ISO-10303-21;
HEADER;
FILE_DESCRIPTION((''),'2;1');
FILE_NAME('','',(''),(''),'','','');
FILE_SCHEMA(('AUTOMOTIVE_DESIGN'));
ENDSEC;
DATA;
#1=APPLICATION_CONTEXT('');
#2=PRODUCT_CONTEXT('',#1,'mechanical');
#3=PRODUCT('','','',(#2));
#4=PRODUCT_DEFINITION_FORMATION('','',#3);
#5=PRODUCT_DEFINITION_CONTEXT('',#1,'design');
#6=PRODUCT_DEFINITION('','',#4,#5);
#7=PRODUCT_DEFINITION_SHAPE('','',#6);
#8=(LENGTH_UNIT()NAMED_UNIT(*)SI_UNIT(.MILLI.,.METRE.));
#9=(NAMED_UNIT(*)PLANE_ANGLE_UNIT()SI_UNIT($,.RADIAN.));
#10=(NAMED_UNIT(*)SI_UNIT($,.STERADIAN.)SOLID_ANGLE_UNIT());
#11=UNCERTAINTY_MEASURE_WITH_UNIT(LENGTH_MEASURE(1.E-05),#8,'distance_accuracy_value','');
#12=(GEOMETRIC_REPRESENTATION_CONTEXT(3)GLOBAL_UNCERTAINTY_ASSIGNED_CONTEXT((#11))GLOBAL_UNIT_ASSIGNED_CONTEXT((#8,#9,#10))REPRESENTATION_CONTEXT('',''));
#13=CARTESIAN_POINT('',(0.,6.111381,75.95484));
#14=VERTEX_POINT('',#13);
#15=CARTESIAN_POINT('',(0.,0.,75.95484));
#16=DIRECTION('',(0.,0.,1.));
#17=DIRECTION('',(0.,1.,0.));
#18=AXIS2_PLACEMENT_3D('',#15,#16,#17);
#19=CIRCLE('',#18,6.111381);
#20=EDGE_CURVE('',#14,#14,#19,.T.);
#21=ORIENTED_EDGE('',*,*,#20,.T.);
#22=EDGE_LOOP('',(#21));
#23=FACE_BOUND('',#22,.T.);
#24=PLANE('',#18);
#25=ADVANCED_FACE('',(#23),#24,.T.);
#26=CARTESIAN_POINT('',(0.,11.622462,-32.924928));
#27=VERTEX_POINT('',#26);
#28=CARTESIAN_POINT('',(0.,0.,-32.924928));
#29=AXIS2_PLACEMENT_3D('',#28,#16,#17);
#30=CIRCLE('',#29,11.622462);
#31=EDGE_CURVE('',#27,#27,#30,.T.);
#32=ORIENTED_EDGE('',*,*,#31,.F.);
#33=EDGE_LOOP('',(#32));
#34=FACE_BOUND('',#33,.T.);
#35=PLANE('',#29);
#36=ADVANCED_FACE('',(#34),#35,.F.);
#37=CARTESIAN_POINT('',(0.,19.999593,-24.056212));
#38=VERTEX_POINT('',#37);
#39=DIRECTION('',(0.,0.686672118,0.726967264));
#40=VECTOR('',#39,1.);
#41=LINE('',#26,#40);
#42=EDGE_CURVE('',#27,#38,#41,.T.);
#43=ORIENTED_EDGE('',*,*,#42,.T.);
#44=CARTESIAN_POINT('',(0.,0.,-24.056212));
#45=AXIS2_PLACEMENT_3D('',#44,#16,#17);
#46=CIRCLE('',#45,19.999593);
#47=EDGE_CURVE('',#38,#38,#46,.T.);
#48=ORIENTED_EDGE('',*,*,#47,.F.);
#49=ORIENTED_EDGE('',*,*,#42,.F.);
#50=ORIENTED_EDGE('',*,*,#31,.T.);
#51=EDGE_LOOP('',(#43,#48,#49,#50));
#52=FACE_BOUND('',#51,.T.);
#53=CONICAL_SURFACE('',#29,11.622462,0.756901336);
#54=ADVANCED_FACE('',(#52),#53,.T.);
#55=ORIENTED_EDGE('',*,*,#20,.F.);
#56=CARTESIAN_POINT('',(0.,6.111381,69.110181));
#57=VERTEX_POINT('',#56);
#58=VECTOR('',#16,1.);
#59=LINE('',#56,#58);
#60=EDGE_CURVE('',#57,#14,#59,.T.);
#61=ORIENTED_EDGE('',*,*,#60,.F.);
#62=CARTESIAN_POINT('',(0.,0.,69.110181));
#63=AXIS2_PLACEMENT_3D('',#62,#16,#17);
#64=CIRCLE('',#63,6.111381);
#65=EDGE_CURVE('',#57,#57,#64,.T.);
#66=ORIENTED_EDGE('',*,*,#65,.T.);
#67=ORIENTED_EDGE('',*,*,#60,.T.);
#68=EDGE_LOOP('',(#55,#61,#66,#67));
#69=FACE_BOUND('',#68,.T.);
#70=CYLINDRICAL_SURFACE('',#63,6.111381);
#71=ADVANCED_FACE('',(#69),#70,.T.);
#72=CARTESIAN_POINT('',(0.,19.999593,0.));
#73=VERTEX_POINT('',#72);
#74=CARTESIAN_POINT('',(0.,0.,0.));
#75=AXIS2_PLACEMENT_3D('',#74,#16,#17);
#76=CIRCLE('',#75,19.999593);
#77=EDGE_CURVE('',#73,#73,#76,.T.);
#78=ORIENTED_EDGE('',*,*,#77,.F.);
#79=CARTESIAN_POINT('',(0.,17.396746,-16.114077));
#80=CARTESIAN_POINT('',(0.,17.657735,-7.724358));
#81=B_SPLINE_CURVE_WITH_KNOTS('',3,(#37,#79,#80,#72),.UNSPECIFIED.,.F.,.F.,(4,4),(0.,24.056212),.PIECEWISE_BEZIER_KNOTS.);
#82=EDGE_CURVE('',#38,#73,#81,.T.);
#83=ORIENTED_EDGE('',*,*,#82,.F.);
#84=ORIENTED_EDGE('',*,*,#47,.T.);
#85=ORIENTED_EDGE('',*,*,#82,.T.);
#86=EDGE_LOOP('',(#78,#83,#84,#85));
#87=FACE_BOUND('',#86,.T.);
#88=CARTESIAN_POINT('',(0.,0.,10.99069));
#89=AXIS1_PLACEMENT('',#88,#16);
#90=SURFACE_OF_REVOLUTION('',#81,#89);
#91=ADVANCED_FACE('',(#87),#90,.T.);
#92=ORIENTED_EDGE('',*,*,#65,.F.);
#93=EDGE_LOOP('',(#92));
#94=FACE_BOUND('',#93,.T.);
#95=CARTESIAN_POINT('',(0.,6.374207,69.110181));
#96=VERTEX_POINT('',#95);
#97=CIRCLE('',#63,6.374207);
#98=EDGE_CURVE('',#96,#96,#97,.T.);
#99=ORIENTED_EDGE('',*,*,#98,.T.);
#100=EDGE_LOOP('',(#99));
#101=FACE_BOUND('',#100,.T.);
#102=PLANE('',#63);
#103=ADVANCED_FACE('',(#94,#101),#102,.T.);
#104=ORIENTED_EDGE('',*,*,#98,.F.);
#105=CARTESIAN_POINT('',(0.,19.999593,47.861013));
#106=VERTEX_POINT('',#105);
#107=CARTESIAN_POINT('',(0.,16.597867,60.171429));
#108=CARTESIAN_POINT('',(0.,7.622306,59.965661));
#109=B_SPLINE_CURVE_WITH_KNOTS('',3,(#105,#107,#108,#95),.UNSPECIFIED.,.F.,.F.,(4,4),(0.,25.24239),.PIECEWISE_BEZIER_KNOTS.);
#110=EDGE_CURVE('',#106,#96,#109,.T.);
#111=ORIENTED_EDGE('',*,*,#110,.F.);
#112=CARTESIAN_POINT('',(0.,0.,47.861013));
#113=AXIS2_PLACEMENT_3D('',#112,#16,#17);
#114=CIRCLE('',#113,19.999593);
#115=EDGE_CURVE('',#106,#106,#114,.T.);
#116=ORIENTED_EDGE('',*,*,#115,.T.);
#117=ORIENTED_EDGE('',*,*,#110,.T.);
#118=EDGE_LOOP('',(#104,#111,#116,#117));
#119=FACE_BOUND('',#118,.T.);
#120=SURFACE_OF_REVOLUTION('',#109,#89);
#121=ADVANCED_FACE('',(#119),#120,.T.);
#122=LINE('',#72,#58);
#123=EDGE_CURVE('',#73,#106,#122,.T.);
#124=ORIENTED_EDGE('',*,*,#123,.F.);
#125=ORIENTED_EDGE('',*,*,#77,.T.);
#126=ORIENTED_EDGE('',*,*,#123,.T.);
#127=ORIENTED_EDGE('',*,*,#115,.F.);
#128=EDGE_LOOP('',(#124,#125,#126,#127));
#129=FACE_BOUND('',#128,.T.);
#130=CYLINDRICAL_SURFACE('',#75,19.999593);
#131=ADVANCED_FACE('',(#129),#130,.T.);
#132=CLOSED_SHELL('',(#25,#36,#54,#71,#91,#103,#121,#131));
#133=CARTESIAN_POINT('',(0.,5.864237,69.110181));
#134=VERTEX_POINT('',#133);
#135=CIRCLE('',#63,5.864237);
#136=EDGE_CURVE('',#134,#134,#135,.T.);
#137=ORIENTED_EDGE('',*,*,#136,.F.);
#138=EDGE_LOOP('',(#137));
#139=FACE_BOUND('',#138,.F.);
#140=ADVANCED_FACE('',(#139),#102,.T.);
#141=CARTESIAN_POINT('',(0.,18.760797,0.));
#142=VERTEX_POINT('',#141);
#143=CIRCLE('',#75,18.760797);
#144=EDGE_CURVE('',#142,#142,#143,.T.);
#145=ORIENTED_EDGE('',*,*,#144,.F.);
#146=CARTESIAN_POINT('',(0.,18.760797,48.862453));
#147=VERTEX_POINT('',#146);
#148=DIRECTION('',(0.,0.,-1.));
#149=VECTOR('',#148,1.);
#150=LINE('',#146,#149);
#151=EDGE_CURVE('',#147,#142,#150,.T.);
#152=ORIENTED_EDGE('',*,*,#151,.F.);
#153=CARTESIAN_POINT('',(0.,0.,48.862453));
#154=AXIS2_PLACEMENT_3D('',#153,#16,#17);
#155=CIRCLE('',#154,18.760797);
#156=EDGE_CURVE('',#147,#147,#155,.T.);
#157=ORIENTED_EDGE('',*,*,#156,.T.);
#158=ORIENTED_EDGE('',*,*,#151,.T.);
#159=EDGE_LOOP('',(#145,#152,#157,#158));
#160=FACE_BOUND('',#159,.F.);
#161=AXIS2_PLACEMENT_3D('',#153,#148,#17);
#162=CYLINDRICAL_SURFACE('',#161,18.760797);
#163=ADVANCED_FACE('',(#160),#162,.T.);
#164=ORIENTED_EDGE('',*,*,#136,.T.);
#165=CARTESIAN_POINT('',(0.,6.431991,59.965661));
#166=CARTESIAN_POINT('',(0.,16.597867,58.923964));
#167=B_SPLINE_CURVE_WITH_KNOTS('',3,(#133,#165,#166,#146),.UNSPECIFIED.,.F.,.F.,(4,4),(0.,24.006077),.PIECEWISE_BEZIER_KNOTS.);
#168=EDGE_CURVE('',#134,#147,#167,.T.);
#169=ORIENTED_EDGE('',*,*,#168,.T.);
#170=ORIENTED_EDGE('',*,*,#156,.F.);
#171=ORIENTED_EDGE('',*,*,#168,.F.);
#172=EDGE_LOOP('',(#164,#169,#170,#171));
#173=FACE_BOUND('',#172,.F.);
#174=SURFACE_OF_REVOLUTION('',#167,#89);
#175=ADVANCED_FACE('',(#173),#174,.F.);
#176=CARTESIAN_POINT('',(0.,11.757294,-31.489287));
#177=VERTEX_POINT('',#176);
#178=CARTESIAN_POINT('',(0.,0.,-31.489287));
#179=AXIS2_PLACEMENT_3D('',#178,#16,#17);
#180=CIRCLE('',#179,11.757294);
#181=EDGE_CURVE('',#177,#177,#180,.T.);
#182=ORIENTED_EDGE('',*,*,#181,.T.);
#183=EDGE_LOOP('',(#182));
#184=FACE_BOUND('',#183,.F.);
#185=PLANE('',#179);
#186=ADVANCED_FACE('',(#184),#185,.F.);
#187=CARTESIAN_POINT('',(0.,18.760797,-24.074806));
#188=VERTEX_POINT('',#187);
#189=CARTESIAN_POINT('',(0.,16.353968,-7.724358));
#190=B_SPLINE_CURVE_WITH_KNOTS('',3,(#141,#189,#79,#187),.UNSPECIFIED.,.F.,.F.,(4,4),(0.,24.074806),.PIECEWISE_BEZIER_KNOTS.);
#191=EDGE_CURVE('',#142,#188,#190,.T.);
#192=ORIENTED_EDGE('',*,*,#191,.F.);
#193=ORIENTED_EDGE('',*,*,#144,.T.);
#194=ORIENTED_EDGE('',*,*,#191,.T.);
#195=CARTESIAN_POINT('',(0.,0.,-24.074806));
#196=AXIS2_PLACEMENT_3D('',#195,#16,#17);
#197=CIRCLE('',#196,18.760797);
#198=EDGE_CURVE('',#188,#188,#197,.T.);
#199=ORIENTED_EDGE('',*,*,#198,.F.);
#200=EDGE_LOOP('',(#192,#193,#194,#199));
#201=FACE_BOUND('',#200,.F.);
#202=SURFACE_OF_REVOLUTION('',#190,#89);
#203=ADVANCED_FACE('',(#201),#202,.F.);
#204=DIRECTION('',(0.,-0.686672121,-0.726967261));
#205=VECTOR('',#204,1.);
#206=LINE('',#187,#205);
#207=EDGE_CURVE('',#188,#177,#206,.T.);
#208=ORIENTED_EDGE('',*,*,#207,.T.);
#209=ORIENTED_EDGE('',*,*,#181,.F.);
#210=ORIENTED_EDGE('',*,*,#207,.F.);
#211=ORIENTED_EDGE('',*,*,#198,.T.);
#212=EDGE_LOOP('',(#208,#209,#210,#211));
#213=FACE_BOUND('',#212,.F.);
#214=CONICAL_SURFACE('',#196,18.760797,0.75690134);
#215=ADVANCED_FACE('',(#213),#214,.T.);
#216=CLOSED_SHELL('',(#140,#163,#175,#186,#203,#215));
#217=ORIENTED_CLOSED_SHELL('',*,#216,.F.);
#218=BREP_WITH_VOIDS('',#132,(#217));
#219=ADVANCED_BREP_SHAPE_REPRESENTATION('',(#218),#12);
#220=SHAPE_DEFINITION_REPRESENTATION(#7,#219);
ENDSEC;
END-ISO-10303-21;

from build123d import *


with BuildPart() as f1:
    # F0 (on Right) → F1 (revolve)
    with BuildSketch(Plane.YZ):
        with BuildLine():
            Line((0, -31.489287), (0, -32.924928))
            Line((0, -32.924928), (11.622462, -32.924928))
            Line((11.622462, -32.924928), (19.999593, -24.056212))
            add(Edge.make_bspline(
                [(19.999593, -24.056212), (17.396746, -16.114077), (17.657735, -7.724358), (19.999593, 0)],
                knots=[0, 0, 0, 0, 24.056212, 24.056212, 24.056212, 24.056212], degree=3))
            Line((19.999593, 0), (19.999593, 47.861013))
            add(Edge.make_bspline(
                [(19.999593, 47.861013), (16.597867, 60.171429), (7.622306, 59.965661), (6.374207, 69.110181)],
                knots=[0, 0, 0, 0, 25.24239, 25.24239, 25.24239, 25.24239], degree=3))
            Line((6.374207, 69.110181), (6.358525, 69.110181))
            Line((6.358525, 69.110181), (6.111381, 69.110181))
            Line((6.111381, 69.110181), (5.864237, 69.110181))
            add(Edge.make_bspline(
                [(5.864237, 69.110181), (6.431991, 59.965661), (16.597867, 58.923964), (18.760797, 48.862453)],
                knots=[0, 0, 0, 0, 24.006077, 24.006077, 24.006077, 24.006077], degree=3))
            Line((18.760797, 48.862453), (18.760797, 0))
            add(Edge.make_bspline(
                [(18.760797, 0), (16.353968, -7.724358), (17.396746, -16.114077), (18.760797, -24.074806)],
                knots=[0, 0, 0, 0, 24.074806, 24.074806, 24.074806, 24.074806], degree=3))
            Line((18.760797, -24.074806), (11.757294, -31.489287))
            Line((11.757294, -31.489287), (0, -31.489287))
        make_face()
        Polygon((0, 75.95484), (0, 69.110181), (5.864237, 69.110181), (6.111381, 69.110181), (6.111381, 75.95484), align=None)
    revolve(axis=Axis((0, 0, 10.99069), (0, 0, 1)))


solid = f1.part
